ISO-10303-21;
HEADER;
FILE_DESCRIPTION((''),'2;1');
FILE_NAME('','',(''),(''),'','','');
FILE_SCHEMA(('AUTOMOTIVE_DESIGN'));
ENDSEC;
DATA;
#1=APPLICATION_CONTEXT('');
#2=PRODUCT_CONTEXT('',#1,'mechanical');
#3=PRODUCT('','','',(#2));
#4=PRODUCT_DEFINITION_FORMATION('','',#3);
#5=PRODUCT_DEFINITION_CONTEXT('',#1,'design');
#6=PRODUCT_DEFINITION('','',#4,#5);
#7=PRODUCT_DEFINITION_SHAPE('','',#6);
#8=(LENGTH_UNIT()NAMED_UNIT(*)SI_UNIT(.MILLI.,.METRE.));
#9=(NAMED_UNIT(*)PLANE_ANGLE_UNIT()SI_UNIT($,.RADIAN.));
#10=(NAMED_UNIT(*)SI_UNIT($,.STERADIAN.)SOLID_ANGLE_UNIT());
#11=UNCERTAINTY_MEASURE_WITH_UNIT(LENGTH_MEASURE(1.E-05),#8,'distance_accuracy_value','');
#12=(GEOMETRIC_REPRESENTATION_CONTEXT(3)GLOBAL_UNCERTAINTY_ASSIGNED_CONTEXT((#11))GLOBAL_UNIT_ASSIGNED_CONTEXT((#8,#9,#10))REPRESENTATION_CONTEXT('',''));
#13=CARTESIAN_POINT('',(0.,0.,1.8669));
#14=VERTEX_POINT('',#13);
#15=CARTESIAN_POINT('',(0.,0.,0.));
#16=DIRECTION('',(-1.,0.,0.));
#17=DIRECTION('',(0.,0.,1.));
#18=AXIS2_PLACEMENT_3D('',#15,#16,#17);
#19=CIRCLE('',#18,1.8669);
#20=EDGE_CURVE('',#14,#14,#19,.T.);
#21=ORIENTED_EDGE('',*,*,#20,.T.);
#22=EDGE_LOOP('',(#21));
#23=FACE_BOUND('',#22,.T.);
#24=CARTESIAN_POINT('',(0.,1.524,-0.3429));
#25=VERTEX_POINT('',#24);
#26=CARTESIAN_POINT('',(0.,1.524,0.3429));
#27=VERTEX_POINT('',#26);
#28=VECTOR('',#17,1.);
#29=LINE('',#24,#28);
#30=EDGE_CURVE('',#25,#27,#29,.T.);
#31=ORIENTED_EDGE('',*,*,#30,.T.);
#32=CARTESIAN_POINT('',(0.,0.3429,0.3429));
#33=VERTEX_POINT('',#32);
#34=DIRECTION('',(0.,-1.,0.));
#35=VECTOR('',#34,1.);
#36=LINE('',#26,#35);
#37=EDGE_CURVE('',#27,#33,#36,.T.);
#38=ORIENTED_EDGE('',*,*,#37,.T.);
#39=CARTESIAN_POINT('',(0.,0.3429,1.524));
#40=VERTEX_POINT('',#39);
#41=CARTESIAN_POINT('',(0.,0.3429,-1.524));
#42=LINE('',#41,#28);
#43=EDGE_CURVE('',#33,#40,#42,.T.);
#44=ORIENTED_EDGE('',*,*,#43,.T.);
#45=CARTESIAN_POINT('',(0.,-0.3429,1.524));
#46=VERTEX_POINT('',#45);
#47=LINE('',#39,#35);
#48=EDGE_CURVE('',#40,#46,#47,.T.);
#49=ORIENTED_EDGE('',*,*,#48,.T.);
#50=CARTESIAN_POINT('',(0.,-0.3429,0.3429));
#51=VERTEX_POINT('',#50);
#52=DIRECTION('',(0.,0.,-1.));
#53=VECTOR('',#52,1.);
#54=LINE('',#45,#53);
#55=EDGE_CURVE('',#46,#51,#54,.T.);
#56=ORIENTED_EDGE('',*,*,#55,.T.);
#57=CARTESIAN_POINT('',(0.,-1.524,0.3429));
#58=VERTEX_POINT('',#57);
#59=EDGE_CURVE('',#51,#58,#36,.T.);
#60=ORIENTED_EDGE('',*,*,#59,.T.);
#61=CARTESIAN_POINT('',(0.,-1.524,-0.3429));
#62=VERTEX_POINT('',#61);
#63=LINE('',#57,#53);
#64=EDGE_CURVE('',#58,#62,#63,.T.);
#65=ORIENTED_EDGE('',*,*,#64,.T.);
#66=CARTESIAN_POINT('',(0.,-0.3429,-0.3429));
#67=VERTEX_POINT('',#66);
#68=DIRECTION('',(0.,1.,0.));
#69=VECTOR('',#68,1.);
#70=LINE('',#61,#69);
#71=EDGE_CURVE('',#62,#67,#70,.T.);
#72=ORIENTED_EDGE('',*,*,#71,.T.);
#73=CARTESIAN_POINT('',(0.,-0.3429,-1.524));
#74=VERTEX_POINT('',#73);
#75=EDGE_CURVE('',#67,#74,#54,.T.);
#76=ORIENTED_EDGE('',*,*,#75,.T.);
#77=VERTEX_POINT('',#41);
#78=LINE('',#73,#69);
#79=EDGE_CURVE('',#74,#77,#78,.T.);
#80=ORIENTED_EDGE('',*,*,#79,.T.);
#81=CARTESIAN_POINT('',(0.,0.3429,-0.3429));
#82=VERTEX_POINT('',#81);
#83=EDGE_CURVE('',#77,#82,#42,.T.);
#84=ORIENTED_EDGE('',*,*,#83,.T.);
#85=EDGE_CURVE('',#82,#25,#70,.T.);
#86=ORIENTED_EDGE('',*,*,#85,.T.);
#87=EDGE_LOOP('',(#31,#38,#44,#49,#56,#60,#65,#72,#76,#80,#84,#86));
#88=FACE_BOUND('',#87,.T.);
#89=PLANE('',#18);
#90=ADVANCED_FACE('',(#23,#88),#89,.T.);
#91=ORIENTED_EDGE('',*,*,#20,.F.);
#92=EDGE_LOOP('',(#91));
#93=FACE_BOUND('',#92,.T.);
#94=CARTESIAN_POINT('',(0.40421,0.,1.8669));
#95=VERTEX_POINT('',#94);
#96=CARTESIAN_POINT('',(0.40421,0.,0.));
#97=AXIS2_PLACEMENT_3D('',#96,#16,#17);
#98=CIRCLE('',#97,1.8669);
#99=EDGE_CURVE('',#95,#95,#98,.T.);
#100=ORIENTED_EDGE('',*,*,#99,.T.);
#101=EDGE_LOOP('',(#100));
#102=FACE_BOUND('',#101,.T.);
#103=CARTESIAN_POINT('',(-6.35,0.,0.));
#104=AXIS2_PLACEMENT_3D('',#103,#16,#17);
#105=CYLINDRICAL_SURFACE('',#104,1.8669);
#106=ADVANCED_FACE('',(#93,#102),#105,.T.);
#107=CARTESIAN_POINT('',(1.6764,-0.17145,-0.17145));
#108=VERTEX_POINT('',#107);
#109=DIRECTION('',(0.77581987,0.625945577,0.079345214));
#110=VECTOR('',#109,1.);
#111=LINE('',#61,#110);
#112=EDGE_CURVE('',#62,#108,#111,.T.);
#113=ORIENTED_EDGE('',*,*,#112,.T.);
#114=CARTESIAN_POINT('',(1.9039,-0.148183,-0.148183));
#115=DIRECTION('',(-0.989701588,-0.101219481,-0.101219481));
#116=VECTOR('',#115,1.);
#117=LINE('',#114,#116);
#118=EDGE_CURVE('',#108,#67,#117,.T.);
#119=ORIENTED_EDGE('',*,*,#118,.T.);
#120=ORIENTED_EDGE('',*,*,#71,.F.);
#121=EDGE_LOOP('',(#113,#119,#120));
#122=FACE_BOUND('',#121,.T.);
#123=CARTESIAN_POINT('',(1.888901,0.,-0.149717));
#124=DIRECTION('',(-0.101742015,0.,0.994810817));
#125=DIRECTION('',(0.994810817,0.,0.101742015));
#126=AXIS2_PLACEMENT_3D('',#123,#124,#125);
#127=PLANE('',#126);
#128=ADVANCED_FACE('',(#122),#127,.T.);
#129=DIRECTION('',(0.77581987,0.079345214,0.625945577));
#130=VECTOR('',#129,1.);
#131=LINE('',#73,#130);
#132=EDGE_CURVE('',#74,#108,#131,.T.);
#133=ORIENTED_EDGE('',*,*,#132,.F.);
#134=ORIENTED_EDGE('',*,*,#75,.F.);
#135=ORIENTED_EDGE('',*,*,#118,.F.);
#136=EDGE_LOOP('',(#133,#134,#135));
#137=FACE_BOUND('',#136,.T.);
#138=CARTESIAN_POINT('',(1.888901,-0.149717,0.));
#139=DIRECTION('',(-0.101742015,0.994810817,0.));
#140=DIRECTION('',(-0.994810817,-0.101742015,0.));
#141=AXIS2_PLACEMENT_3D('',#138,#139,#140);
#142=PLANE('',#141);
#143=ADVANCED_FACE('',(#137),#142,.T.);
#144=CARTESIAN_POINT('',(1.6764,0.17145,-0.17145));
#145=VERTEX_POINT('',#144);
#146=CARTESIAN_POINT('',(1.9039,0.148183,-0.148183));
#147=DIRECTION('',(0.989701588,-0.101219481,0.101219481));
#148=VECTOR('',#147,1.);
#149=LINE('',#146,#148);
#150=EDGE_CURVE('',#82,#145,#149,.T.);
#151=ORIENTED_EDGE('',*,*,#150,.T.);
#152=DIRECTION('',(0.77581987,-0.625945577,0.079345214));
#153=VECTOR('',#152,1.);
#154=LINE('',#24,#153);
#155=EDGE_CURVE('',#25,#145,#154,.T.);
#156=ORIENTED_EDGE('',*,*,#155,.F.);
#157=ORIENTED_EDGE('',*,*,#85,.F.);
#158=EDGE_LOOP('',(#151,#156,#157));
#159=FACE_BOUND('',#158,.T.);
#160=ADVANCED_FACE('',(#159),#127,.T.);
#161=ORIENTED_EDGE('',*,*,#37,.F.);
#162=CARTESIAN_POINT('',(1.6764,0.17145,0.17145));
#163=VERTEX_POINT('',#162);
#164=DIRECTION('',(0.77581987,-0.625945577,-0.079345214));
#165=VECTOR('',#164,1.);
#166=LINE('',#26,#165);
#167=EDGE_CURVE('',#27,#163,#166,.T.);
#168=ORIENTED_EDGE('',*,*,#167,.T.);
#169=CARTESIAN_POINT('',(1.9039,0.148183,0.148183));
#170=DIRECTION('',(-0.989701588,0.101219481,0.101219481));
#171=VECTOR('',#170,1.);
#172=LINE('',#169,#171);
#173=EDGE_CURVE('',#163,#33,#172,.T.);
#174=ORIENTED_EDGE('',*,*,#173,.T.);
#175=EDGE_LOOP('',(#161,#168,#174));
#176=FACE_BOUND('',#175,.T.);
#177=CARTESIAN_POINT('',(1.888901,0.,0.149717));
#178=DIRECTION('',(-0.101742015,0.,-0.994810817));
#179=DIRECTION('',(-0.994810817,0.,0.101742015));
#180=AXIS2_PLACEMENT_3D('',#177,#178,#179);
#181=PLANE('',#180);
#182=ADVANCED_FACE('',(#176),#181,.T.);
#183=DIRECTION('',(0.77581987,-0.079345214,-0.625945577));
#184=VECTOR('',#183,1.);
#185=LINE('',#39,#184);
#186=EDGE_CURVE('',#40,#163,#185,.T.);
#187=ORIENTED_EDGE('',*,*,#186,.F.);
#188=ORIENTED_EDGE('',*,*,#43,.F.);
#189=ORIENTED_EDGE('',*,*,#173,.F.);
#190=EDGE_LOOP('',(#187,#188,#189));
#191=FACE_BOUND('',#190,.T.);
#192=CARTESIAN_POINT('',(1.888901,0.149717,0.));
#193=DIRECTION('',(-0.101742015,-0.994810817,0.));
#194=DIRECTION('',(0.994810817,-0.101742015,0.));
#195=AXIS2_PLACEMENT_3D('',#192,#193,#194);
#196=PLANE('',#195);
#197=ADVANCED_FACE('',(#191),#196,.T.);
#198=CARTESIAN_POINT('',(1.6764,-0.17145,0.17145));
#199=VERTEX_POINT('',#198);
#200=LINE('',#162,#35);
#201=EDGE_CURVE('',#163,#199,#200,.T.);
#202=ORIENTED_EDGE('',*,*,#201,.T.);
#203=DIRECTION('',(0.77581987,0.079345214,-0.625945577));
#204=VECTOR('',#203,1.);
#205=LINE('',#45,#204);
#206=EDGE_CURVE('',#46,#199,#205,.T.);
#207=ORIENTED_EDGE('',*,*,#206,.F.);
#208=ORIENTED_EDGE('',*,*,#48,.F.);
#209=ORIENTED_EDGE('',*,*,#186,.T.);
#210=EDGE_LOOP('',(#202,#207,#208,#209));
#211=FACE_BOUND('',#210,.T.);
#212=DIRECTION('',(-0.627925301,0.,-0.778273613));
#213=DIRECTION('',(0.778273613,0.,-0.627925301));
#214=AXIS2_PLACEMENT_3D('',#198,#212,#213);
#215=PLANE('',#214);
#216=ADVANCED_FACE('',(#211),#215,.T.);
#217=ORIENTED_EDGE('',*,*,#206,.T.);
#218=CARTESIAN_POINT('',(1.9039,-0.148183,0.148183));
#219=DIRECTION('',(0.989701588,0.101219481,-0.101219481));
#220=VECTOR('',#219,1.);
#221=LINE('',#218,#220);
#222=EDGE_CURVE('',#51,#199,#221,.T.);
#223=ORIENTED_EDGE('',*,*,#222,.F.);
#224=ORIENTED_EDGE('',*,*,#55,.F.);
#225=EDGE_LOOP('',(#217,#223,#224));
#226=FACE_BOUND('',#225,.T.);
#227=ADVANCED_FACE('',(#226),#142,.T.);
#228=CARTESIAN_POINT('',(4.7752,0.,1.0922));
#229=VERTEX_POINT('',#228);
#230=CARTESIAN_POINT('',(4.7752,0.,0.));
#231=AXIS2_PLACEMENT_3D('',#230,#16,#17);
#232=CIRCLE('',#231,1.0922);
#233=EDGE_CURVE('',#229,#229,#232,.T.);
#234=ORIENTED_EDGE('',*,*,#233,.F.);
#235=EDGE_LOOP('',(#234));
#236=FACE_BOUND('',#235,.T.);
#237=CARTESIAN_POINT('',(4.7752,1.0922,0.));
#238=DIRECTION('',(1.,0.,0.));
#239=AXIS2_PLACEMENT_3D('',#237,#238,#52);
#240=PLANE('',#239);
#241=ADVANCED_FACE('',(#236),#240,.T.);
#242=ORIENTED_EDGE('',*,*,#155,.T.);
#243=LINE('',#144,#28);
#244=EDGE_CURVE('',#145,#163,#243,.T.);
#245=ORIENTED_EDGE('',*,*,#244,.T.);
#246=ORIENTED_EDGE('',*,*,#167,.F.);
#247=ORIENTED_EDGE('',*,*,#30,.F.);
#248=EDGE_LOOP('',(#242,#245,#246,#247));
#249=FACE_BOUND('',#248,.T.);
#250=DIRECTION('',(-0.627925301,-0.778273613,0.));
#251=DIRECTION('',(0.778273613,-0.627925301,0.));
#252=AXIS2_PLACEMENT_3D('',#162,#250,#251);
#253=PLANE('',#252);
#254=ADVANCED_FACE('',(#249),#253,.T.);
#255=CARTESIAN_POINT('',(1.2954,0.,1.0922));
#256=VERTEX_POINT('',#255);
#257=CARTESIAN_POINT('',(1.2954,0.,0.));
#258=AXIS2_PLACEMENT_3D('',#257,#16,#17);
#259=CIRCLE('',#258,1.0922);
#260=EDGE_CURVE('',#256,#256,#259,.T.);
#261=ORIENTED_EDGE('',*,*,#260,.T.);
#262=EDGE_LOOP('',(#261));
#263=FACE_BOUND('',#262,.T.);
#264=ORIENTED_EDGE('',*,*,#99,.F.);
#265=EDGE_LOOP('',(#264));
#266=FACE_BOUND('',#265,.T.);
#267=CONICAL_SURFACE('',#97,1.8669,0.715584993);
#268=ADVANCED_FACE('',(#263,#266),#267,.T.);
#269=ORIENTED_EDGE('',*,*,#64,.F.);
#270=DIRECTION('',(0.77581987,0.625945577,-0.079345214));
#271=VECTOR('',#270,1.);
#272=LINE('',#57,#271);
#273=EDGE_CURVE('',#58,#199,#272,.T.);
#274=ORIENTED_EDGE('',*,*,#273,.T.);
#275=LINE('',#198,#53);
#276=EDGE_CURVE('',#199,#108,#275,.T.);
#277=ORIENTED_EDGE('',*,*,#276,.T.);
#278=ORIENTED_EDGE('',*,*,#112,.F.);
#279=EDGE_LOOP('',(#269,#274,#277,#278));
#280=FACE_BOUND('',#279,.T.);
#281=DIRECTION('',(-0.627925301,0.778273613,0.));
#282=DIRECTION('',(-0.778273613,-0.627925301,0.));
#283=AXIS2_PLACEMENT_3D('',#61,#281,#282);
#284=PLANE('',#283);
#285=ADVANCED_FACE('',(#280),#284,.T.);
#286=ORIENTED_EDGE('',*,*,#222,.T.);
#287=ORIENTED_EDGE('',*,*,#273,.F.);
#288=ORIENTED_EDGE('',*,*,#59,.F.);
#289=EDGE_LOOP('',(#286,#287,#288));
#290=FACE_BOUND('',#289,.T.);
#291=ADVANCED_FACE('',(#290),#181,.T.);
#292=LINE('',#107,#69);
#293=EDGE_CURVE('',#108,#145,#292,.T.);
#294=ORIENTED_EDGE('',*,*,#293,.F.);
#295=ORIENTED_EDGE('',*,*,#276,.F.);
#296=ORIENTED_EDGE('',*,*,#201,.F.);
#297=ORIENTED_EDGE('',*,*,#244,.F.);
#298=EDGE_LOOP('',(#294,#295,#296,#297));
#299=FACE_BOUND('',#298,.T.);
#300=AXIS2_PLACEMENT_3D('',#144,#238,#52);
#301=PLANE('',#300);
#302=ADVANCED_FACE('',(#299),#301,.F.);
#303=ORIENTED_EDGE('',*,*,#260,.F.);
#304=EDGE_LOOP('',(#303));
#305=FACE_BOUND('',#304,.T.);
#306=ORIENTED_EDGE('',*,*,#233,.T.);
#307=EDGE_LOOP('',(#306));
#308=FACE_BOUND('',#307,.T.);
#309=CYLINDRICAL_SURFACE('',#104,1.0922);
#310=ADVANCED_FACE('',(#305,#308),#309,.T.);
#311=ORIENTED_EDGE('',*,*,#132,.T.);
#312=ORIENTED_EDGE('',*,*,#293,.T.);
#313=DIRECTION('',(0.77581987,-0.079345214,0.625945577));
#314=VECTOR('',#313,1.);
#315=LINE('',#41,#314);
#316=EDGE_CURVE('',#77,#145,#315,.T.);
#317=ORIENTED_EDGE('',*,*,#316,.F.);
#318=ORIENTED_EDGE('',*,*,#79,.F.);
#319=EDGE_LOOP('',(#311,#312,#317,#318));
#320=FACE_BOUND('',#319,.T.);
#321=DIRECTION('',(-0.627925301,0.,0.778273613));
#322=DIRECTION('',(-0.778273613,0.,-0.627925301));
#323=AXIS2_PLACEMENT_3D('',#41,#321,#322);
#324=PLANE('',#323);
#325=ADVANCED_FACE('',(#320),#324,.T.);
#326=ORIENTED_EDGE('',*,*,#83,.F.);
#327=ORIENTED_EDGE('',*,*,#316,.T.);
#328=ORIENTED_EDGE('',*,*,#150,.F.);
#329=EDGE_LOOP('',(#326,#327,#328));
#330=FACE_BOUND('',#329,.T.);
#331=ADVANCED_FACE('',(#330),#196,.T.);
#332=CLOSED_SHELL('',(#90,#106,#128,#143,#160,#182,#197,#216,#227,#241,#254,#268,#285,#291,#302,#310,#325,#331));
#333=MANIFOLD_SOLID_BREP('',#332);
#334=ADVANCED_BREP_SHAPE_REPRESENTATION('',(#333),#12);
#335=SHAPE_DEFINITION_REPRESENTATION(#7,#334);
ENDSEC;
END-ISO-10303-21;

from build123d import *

# Parameters (mm, degrees)
CIRPATTERN1_COUNT = 2
CIRPATTERN1_ANGLE = 90


with BuildPart() as part:
    # BodySke → Base-Revolve (revolve)
    with BuildSketch(Plane.XY, mode=Mode.PRIVATE) as base_revolve_sk:
        Polygon((0, 0), (0, 1.8669), (0.404209595, 1.8669), (1.2954, 1.0922), (4.7752, 1.0922), (4.7752, 0), align=None)
    revolve(base_revolve_sk.sketch.rotate(Axis((-6.35, 0, 0), (1, 0, 0)), 90), axis=Axis((-6.35, 0, 0), (1, 0, 0)))

    # Sketch3 → Cross section 0
    with BuildSketch(Plane.ZY):
        with BuildLine():
            Line((-0.3429, 1.524), (0.3429, 1.524))
            Line((0.3429, 1.524), (0.3429, -1.524))
            Line((0.3429, -1.524), (-0.3429, -1.524))
            Line((-0.3429, -1.524), (-0.3429, 1.524))
        make_face()
    # Sketch4 → Cross section 1
    with BuildSketch(Plane.ZY.offset(-1.6764)):
        with BuildLine():
            Line((-0.17145, 0.17145), (0.17145, 0.17145))
            Line((0.17145, 0.17145), (0.17145, -0.17145))
            Line((0.17145, -0.17145), (-0.17145, -0.17145))
            Line((-0.17145, -0.17145), (-0.17145, 0.17145))
        make_face()
    cross = loft(mode=Mode.SUBTRACT)

    # CirPattern1: Cross ×2 about axis
    cirpattern1_axis = Axis((0, 0, 0), (1, 0, 0))
    for i in range(1, CIRPATTERN1_COUNT):
        add(cross.rotate(cirpattern1_axis, i * CIRPATTERN1_ANGLE / (CIRPATTERN1_COUNT - 1)), mode=Mode.SUBTRACT)


solid = part.part
